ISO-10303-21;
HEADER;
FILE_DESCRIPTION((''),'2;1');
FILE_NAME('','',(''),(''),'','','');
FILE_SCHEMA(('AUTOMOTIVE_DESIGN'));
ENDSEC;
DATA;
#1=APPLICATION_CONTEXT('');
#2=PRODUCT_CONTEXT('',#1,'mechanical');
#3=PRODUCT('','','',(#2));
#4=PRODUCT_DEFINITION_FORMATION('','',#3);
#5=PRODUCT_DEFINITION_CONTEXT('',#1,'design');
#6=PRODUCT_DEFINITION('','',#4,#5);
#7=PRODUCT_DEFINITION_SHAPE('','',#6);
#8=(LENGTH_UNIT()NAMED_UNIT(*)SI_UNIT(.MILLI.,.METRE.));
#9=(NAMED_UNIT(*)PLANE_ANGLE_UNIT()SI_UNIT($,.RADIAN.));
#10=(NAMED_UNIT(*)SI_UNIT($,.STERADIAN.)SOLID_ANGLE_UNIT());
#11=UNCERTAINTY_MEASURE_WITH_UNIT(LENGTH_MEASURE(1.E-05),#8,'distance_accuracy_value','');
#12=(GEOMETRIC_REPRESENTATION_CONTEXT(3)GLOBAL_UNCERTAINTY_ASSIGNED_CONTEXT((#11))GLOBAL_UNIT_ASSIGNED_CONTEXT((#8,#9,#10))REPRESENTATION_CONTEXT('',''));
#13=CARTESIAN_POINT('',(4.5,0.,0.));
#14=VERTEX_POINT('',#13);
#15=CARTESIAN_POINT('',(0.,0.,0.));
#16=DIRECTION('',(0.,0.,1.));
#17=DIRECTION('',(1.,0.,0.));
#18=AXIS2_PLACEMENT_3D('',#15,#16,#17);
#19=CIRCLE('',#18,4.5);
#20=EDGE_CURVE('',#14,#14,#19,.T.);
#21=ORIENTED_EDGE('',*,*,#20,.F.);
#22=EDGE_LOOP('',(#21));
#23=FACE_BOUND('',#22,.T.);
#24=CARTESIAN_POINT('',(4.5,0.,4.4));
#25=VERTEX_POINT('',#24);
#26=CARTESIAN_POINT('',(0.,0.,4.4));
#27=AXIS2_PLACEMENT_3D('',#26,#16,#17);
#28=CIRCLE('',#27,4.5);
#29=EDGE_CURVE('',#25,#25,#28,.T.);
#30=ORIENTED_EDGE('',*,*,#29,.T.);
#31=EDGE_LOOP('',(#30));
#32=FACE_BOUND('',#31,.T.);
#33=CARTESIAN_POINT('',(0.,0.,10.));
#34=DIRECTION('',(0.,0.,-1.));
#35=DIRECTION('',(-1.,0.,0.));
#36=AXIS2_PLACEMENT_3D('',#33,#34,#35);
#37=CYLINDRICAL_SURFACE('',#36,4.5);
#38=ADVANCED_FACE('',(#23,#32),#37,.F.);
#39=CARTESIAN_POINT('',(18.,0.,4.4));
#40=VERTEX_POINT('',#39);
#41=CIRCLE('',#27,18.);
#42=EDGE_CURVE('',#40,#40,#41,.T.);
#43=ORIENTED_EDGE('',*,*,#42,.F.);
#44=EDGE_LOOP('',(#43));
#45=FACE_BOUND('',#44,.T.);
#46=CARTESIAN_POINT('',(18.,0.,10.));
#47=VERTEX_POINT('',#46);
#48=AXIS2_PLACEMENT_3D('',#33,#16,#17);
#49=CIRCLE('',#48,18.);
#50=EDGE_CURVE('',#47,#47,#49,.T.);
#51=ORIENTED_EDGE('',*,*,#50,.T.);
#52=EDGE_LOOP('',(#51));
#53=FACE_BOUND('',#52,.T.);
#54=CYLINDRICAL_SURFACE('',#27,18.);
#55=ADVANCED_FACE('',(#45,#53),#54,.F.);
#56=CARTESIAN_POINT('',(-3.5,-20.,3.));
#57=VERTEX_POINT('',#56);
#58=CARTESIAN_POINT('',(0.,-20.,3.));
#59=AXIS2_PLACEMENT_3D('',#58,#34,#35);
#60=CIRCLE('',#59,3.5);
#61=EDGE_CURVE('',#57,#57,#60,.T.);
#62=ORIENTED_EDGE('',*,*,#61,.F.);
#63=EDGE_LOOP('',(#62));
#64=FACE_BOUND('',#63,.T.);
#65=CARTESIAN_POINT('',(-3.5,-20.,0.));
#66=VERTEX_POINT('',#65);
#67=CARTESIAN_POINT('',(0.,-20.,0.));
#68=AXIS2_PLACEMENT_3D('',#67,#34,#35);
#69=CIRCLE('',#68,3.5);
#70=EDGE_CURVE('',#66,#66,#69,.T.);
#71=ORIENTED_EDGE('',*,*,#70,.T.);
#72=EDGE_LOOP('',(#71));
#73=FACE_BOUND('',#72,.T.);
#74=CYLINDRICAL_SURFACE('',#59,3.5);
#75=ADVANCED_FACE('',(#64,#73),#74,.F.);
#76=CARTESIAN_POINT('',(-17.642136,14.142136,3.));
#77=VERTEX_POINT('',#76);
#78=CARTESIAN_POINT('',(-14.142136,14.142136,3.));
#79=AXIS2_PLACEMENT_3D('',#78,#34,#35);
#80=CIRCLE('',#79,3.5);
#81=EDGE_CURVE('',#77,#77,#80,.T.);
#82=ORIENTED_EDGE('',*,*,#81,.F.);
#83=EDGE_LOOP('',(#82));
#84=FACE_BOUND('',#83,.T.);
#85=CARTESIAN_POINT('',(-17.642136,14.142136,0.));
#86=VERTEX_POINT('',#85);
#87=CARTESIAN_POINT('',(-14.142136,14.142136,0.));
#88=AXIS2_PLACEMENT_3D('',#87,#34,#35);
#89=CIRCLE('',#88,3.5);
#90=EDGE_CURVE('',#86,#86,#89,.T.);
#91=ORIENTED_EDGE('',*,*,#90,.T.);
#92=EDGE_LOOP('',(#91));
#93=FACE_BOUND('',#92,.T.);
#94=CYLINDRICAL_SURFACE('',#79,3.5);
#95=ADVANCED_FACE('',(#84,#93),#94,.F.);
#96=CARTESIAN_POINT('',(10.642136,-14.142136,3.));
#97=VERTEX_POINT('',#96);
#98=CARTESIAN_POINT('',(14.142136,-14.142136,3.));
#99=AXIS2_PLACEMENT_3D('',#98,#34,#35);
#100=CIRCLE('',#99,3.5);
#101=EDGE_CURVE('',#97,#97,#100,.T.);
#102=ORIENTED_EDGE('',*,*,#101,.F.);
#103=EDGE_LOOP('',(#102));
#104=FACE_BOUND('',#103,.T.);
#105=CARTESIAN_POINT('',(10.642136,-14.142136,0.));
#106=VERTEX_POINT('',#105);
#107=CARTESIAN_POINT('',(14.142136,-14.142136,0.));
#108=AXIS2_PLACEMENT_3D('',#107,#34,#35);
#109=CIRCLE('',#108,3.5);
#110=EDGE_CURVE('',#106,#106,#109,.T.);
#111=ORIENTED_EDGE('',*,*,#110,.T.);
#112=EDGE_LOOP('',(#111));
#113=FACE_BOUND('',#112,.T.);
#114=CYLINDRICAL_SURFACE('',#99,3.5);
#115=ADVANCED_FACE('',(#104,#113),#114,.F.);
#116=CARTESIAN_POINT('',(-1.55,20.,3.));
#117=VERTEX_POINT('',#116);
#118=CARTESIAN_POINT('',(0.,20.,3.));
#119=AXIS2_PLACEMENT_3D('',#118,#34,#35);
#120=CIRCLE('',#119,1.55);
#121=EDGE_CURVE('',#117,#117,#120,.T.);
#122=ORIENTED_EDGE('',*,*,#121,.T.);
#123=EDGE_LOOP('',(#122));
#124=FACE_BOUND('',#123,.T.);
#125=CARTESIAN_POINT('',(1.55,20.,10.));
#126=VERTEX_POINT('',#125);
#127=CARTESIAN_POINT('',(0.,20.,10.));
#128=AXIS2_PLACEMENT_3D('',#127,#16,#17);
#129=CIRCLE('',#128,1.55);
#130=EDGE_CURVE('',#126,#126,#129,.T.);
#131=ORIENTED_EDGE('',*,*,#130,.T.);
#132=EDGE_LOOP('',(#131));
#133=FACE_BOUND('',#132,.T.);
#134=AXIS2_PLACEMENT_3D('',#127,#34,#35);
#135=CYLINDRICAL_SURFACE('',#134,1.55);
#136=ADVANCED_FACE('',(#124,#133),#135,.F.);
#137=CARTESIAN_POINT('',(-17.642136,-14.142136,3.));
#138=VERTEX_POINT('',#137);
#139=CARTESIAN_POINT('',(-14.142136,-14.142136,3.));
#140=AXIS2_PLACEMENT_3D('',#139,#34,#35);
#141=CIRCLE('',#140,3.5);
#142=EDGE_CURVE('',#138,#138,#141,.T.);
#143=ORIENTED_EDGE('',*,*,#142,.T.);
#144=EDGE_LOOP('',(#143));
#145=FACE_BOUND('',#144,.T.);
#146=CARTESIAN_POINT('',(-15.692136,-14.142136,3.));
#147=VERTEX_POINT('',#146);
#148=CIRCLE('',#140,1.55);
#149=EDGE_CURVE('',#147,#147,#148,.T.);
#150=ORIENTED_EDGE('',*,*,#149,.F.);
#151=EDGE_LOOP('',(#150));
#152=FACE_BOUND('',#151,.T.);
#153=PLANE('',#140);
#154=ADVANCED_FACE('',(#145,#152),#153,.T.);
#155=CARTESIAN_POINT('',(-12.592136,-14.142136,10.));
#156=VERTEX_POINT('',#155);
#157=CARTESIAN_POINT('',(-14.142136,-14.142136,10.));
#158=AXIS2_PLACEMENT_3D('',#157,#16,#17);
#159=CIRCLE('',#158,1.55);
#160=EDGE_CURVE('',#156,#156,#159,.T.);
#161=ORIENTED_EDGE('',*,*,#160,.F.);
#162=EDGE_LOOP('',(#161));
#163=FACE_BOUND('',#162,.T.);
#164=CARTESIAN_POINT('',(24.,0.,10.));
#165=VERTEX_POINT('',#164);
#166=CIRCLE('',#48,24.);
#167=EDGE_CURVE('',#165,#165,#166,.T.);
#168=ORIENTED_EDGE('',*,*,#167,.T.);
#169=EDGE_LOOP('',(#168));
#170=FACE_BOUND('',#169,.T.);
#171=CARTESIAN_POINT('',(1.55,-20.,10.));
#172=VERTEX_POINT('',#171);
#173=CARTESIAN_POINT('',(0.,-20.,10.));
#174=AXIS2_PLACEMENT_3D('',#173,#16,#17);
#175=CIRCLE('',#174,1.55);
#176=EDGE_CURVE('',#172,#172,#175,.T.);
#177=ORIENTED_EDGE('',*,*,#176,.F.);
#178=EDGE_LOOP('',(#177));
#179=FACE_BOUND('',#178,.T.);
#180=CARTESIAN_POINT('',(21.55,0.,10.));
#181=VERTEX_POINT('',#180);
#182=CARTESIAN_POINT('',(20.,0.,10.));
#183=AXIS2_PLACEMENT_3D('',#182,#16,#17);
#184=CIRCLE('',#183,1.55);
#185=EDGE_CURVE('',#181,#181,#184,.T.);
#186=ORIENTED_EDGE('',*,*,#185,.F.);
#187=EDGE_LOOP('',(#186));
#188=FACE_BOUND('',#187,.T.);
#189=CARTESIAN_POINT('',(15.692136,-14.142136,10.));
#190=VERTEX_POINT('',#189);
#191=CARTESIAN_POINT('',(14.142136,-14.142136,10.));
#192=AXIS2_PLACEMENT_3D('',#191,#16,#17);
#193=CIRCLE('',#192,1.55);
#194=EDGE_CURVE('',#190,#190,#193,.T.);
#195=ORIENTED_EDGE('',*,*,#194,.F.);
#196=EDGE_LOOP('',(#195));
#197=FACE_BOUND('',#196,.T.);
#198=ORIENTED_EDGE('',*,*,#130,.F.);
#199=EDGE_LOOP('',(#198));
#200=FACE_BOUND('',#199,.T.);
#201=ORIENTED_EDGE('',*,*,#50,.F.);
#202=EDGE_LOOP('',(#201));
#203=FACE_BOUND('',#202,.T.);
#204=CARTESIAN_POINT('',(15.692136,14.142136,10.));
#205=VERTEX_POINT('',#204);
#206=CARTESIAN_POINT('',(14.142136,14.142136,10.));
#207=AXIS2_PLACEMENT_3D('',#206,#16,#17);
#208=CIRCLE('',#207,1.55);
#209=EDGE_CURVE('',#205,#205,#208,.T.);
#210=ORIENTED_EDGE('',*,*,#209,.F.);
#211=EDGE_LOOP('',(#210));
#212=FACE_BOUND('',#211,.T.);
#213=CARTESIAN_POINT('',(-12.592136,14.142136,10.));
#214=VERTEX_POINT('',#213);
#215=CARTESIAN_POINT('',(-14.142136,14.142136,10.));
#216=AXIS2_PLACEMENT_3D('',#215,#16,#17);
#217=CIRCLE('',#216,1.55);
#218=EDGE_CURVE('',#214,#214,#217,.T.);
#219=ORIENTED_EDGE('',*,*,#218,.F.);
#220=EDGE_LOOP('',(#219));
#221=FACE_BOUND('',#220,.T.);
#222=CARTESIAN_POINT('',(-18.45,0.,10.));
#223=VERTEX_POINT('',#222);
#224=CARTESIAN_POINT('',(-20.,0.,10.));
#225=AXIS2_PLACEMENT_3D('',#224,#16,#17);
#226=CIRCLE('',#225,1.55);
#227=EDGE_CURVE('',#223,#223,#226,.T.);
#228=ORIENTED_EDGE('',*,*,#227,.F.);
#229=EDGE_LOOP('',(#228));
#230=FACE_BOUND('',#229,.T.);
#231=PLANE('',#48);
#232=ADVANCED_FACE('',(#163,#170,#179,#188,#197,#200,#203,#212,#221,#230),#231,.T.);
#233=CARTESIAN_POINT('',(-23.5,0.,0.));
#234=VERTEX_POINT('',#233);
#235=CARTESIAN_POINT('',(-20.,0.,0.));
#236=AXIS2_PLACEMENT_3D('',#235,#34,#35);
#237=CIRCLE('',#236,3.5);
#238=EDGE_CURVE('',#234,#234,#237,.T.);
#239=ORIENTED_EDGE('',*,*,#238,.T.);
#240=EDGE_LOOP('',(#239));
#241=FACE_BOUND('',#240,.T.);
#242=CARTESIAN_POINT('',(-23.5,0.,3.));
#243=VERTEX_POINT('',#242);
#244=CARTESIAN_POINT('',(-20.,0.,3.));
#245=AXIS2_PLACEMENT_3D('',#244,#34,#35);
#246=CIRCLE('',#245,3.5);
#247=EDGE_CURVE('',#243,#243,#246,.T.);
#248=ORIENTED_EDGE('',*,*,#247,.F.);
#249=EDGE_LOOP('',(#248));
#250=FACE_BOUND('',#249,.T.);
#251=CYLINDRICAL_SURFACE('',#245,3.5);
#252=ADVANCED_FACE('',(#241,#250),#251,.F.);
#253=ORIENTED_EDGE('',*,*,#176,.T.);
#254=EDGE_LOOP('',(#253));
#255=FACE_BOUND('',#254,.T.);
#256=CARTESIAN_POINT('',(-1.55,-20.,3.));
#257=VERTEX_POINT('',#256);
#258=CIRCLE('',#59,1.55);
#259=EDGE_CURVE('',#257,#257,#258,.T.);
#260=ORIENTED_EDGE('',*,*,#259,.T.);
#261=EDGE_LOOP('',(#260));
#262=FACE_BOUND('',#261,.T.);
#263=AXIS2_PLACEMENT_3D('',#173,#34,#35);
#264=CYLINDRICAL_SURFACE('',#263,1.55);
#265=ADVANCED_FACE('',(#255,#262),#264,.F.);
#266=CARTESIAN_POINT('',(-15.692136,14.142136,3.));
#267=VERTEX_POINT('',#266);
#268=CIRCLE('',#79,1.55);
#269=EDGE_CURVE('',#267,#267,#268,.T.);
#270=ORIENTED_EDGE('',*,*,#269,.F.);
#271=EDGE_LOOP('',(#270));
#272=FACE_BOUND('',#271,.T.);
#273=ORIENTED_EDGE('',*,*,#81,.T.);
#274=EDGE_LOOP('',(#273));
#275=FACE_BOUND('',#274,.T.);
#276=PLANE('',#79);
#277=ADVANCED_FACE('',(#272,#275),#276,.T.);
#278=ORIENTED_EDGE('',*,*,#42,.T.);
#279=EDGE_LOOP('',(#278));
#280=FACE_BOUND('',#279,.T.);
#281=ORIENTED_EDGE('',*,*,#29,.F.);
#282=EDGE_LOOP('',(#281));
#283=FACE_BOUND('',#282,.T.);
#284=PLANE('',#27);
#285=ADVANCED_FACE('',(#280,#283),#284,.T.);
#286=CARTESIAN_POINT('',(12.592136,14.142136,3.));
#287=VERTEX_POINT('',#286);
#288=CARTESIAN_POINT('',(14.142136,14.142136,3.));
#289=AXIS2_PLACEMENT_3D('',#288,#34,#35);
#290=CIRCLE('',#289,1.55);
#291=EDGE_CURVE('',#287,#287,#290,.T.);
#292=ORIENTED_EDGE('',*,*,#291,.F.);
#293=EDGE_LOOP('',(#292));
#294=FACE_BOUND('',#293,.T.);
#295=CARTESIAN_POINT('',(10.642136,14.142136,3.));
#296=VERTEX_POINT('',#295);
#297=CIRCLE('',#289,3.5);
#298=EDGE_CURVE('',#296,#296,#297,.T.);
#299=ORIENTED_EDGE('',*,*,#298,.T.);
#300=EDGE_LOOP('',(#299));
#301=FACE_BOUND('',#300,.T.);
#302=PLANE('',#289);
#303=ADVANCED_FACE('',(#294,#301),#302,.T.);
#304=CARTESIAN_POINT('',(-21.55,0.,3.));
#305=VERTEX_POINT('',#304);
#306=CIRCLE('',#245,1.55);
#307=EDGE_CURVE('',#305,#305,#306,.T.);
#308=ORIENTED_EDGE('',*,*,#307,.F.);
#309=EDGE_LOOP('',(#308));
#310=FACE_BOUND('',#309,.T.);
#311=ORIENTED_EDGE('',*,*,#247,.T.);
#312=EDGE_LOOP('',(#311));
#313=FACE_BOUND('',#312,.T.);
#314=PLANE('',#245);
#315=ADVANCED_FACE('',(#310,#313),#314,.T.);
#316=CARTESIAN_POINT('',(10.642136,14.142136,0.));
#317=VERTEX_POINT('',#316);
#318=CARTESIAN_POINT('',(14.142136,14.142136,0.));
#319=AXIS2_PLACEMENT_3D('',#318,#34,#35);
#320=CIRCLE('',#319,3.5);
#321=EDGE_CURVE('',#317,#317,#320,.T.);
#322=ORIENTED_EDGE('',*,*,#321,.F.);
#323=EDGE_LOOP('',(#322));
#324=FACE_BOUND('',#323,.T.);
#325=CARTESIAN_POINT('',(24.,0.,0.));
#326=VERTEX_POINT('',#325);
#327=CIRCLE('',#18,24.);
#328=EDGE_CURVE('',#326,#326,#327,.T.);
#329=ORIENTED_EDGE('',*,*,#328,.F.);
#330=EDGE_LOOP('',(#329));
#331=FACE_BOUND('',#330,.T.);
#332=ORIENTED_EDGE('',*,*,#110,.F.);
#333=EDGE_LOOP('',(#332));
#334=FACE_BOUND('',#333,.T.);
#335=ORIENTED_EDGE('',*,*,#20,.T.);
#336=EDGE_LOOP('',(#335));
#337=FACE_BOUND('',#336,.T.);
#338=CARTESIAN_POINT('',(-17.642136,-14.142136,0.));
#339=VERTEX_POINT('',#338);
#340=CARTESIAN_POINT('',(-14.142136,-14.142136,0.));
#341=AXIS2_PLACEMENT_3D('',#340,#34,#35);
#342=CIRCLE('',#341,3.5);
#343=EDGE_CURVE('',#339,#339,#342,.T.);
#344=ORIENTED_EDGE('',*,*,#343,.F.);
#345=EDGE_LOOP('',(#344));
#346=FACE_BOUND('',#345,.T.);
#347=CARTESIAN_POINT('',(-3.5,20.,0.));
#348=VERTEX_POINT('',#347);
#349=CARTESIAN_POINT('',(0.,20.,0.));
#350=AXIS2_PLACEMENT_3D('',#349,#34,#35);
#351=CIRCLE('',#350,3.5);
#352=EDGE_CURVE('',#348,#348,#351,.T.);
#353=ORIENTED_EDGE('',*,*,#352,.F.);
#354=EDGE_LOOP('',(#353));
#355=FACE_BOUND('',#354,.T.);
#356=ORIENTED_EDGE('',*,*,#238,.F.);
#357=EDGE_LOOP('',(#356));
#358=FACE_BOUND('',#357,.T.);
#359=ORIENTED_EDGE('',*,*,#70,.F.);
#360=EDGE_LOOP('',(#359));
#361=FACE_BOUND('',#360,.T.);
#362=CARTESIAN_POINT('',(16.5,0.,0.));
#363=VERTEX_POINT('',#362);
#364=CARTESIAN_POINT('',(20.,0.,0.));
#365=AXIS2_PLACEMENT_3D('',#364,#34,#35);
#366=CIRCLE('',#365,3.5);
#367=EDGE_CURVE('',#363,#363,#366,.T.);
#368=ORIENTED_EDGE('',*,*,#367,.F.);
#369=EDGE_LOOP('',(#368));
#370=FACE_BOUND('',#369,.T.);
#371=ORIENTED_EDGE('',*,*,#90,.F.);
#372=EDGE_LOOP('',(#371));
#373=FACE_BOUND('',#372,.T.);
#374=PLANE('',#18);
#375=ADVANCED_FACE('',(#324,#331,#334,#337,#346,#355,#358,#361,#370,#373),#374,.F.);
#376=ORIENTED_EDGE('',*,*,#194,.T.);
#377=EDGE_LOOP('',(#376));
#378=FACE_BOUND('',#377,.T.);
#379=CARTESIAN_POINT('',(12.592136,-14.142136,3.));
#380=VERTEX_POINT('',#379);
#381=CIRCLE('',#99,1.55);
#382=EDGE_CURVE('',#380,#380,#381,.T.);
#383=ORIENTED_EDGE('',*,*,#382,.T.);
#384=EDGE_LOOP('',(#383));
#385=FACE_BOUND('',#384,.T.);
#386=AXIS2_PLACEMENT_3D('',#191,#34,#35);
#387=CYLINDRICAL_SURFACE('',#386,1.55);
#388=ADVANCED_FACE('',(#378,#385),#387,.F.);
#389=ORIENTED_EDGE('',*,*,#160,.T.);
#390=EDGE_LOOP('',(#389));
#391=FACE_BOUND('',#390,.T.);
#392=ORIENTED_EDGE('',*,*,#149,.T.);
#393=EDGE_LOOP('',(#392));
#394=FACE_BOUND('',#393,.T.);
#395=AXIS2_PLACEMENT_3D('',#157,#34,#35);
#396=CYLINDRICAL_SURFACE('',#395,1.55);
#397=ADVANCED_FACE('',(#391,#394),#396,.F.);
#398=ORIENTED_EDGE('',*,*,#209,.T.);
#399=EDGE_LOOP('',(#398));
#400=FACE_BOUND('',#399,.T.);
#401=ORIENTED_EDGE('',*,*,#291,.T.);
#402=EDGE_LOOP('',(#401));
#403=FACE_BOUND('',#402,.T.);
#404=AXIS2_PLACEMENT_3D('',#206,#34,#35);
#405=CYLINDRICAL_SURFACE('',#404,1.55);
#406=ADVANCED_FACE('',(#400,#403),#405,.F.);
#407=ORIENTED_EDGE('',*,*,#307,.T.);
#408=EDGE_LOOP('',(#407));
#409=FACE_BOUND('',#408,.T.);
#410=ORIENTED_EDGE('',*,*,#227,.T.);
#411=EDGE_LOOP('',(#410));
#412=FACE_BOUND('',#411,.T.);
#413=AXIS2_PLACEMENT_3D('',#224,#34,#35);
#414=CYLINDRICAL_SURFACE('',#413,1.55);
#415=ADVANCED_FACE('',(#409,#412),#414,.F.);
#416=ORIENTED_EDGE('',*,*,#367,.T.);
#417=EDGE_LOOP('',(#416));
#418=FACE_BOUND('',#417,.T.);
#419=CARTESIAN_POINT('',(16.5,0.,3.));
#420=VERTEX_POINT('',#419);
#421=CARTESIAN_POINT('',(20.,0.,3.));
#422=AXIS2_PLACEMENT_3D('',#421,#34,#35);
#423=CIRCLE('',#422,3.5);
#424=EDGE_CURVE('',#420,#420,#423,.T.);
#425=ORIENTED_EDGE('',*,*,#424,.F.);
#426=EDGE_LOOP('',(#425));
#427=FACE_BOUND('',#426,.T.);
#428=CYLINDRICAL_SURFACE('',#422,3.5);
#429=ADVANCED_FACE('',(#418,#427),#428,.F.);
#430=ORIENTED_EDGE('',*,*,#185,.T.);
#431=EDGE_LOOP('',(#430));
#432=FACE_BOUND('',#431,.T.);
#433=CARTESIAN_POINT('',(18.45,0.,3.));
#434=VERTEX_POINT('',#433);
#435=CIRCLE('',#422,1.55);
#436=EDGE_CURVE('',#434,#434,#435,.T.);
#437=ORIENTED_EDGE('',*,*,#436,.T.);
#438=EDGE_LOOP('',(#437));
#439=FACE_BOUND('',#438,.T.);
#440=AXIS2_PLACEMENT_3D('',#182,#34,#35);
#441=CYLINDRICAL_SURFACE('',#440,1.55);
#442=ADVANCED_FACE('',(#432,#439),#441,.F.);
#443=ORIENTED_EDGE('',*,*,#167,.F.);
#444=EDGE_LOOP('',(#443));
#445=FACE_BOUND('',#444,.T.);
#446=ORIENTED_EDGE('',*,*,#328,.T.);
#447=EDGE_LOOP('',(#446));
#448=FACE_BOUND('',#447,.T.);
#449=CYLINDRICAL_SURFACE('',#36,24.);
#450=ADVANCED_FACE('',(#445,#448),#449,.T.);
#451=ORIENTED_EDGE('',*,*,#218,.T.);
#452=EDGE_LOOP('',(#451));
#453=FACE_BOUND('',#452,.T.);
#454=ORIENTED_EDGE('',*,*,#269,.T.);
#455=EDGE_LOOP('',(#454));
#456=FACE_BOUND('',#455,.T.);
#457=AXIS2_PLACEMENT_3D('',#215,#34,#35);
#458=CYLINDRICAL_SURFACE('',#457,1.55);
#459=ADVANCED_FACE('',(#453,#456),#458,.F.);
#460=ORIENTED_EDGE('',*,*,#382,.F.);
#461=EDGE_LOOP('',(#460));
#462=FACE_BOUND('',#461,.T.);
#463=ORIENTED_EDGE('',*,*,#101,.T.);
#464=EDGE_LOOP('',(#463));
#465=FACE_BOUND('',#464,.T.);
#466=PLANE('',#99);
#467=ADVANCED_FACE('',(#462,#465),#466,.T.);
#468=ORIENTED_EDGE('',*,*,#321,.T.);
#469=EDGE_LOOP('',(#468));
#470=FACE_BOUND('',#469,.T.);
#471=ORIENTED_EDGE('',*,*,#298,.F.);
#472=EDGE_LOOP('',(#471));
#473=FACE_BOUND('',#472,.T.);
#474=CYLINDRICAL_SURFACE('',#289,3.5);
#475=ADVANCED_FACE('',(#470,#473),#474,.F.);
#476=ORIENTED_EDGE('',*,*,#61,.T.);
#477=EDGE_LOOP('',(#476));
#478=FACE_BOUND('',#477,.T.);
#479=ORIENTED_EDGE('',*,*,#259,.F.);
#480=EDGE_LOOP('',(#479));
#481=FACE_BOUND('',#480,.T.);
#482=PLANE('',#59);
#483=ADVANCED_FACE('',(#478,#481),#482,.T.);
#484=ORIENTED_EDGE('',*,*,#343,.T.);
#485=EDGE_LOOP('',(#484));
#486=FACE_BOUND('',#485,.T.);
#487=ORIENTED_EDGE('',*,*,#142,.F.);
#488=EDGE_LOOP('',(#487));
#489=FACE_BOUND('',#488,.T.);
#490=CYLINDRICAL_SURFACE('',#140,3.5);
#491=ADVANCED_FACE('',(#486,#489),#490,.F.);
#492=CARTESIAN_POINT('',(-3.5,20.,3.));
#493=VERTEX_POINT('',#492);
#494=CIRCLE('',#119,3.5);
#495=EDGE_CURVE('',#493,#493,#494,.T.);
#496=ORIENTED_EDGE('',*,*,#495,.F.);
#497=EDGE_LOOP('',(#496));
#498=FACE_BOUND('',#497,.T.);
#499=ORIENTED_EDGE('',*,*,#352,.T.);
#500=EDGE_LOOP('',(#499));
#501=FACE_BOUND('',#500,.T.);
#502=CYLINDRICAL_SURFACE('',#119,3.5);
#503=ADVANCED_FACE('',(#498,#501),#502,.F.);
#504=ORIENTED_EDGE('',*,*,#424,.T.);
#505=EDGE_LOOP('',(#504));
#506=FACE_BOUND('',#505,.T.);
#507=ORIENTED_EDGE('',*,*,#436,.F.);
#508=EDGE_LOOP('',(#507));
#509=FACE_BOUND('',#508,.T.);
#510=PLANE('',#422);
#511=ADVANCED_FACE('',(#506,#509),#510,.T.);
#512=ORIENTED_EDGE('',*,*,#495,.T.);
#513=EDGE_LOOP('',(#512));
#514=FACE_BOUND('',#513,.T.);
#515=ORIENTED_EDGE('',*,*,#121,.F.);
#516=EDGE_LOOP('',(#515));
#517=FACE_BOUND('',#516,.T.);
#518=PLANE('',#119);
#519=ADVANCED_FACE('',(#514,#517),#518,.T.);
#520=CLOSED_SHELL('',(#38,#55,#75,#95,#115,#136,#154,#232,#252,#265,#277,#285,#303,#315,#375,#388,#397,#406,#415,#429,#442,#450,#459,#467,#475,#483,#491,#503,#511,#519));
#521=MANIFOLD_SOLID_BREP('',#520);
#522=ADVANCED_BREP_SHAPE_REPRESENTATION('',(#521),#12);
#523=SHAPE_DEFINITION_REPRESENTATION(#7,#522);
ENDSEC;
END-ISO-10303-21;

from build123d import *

# Parameters (mm, degrees)
SKETCH6_R           = 24
SKETCH6_R_2         = 1.55
SKETCH6_R_3         = 4.5
BOSS_EXTRUDE1_DEPTH = 10
SKETCH8_R           = 3.5
CUT_EXTRUDE6_DEPTH  = 3
SKETCH9_R           = 18
CUT_EXTRUDE7_DEPTH  = 5.6


with BuildPart() as part:
    # Sketch6 → Boss-Extrude1 (new body)
    with BuildSketch(Plane.XY):
        Circle(SKETCH6_R)
        with Locations((0, 20)):
            Circle(SKETCH6_R_2, mode=Mode.SUBTRACT)
        with Locations((14.142135624, 14.142135624)):
            Circle(SKETCH6_R_2, mode=Mode.SUBTRACT)
        with Locations((20, 0)):
            Circle(SKETCH6_R_2, mode=Mode.SUBTRACT)
        with Locations((14.142135624, -14.142135624)):
            Circle(SKETCH6_R_2, mode=Mode.SUBTRACT)
        with Locations((0, -20)):
            Circle(SKETCH6_R_2, mode=Mode.SUBTRACT)
        with Locations((-14.142135624, -14.142135624)):
            Circle(SKETCH6_R_2, mode=Mode.SUBTRACT)
        with Locations((-20, 0)):
            Circle(SKETCH6_R_2, mode=Mode.SUBTRACT)
        with Locations((-14.142135624, 14.142135624)):
            Circle(SKETCH6_R_2, mode=Mode.SUBTRACT)
        Circle(SKETCH6_R_3, mode=Mode.SUBTRACT)
    extrude(amount=BOSS_EXTRUDE1_DEPTH)

    # Sketch8 → Cut-Extrude6 (cut)
    with BuildSketch(Plane(origin=(0, 0, 0), x_dir=(-1, 0, 0), z_dir=(0, 0, -1))):
        with Locations((0, 20)):
            Circle(SKETCH8_R)
        with Locations((14.142135624, 14.142135624)):
            Circle(SKETCH8_R)
        with Locations((20, 0)):
            Circle(SKETCH8_R)
        with Locations((14.142135624, -14.142135624)):
            Circle(SKETCH8_R)
        with Locations((0, -20)):
            Circle(SKETCH8_R)
        with Locations((-14.142135624, -14.142135624)):
            Circle(SKETCH8_R)
        with Locations((-20, 0)):
            Circle(SKETCH8_R)
        with Locations((-14.142135624, 14.142135624)):
            Circle(SKETCH8_R)
    extrude(amount=-CUT_EXTRUDE6_DEPTH, mode=Mode.SUBTRACT)

    # Sketch9 → Cut-Extrude7 (cut)
    with BuildSketch(Plane.XY.offset(10)):
        Circle(SKETCH9_R)
    extrude(amount=-CUT_EXTRUDE7_DEPTH, mode=Mode.SUBTRACT)


solid = part.part
